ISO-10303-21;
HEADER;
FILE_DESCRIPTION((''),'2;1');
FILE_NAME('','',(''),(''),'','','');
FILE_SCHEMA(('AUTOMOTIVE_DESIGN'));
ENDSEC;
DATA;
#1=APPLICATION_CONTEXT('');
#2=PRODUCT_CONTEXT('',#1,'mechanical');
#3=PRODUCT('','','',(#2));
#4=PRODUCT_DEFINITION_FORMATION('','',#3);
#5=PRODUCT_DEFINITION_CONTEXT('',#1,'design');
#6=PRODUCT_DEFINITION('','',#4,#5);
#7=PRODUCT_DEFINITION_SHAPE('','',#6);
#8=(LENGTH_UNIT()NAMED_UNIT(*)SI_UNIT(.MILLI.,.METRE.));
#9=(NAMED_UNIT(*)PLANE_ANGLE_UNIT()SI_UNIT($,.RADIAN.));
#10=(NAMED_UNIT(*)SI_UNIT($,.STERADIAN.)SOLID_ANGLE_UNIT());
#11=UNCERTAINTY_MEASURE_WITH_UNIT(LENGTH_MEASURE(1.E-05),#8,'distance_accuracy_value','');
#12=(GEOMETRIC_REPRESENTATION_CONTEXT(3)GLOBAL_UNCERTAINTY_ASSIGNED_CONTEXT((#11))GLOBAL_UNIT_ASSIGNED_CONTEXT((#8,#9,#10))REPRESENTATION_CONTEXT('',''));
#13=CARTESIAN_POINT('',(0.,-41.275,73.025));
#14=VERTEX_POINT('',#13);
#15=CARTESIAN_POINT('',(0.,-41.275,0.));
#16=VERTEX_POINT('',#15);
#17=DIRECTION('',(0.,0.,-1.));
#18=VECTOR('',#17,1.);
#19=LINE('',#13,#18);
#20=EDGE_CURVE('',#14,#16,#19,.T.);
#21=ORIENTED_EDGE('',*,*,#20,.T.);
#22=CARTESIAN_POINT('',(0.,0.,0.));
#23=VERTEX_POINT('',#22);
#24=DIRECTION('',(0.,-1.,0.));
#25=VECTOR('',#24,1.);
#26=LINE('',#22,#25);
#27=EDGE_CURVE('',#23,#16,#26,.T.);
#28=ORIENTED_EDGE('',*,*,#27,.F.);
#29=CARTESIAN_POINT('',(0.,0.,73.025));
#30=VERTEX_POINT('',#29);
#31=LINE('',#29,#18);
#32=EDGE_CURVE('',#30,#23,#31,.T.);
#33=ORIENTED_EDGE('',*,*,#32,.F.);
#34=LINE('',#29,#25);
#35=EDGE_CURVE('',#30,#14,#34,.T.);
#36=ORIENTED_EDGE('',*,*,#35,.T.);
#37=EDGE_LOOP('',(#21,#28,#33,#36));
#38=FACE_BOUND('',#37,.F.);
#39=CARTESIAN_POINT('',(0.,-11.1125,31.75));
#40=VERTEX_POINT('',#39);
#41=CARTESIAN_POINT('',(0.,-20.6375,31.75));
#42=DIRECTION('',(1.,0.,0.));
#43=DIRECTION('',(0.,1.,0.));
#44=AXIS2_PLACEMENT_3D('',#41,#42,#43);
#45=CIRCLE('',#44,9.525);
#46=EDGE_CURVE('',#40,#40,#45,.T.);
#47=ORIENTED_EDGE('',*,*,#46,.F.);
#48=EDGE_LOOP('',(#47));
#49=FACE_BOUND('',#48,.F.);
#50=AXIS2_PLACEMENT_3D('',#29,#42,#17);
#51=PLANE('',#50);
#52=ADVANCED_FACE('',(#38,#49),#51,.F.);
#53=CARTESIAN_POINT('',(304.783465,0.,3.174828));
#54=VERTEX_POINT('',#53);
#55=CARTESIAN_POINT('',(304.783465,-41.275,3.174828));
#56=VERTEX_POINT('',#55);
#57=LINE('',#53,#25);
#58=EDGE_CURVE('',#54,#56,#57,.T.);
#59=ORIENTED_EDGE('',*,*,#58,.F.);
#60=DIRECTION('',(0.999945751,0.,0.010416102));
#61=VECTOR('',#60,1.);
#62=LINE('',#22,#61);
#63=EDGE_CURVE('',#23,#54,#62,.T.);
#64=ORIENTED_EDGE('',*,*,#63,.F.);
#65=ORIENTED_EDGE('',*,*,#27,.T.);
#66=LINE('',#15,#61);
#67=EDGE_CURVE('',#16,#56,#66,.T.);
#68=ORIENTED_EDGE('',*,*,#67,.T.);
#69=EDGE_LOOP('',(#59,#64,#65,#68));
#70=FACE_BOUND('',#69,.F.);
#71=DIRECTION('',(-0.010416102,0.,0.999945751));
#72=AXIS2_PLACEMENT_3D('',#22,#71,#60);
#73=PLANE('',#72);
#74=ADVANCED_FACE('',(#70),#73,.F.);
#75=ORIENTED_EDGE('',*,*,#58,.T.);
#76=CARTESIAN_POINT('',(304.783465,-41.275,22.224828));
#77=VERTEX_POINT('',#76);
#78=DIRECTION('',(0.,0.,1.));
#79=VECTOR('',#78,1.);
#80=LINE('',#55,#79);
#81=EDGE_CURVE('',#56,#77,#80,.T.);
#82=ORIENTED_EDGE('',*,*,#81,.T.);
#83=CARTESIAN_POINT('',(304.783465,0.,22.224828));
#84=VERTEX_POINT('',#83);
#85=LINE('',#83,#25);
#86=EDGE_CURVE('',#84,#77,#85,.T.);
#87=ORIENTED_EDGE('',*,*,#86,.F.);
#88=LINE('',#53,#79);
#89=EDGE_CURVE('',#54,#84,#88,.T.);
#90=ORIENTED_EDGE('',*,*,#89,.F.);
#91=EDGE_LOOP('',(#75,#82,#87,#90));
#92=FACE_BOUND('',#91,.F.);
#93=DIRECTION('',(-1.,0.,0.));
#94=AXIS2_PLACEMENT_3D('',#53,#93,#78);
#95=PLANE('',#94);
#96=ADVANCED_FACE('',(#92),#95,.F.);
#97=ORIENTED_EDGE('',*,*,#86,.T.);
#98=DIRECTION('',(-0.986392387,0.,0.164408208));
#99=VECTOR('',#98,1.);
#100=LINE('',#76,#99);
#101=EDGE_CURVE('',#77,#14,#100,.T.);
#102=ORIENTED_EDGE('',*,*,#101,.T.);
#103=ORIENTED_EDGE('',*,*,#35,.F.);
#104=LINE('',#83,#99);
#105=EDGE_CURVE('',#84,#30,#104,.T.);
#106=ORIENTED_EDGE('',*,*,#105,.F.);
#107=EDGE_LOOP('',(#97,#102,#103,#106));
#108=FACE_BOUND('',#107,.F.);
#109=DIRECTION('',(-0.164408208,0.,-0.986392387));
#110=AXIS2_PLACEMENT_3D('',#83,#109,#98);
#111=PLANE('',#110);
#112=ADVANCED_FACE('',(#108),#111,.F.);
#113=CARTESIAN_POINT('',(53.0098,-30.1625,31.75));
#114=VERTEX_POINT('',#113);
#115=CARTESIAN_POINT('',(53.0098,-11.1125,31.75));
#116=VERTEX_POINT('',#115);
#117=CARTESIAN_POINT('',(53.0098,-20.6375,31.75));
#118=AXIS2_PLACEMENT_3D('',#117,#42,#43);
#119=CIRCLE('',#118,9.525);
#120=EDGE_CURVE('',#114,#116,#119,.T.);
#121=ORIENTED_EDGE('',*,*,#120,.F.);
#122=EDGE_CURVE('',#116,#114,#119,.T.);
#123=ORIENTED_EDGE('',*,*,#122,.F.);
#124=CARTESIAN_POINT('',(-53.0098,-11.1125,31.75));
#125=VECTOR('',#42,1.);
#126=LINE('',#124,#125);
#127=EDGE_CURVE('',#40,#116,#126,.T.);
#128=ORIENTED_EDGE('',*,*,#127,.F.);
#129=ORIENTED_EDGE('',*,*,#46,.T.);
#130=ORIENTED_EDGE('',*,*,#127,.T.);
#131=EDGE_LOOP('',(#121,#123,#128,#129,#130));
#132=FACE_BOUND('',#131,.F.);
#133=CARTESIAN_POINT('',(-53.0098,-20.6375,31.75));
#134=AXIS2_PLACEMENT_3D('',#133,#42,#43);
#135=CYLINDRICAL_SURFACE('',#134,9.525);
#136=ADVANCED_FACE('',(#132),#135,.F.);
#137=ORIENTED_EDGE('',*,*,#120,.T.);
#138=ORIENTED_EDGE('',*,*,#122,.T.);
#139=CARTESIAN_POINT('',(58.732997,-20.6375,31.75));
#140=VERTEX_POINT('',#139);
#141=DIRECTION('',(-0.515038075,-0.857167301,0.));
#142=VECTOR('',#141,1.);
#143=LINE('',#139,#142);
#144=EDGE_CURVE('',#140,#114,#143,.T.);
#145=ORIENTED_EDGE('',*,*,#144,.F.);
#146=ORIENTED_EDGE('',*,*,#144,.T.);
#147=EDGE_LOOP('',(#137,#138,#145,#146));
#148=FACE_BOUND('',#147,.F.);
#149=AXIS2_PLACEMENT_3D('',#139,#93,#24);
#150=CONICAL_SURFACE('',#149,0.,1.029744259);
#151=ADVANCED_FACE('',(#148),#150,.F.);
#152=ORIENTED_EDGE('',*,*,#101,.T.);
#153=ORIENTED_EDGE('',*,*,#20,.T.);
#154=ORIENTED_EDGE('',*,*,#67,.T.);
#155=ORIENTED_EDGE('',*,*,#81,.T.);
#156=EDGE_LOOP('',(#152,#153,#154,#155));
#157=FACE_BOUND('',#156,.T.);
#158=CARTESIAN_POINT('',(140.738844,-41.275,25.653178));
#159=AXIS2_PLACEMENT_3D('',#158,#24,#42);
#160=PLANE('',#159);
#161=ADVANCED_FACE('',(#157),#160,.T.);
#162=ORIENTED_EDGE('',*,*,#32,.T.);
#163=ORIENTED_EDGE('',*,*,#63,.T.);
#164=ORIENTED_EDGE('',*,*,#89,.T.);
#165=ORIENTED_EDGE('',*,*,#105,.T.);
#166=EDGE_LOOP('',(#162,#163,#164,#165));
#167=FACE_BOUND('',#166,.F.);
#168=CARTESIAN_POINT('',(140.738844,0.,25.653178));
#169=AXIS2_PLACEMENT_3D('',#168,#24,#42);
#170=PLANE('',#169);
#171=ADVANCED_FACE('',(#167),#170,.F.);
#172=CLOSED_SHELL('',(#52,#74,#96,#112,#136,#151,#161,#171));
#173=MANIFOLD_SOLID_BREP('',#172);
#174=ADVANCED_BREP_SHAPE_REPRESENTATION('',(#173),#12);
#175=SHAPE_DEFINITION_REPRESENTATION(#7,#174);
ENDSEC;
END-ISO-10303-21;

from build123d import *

# Parameters (mm, degrees)
F1_DEPTH = 41.275
F3_D     = 19.05
F3_DEPTH = 53.0098
F3_TIP   = 5.7231973962


with BuildPart() as f1:
    # F0 (on Front) → F1 (new body)
    with BuildSketch(Plane.XZ):
        Polygon((0, 73.025), (0, 0), (304.7834648873, 3.1748277592), (304.7834648873, 22.2248277592), align=None)
    extrude(amount=F1_DEPTH)

    # F3
    with Locations(Plane(origin=(0, 0, 0), x_dir=(0, -1, 0), z_dir=(-1, 0, 0))):
        with Locations((20.6375, 31.75)):
            Hole(F3_D / 2, depth=F3_DEPTH)
            with Locations((0, 0, -(F3_DEPTH + F3_TIP / 2))):  # 118° drill point
                Cone(0, F3_D / 2, F3_TIP, mode=Mode.SUBTRACT)


solid = f1.part
